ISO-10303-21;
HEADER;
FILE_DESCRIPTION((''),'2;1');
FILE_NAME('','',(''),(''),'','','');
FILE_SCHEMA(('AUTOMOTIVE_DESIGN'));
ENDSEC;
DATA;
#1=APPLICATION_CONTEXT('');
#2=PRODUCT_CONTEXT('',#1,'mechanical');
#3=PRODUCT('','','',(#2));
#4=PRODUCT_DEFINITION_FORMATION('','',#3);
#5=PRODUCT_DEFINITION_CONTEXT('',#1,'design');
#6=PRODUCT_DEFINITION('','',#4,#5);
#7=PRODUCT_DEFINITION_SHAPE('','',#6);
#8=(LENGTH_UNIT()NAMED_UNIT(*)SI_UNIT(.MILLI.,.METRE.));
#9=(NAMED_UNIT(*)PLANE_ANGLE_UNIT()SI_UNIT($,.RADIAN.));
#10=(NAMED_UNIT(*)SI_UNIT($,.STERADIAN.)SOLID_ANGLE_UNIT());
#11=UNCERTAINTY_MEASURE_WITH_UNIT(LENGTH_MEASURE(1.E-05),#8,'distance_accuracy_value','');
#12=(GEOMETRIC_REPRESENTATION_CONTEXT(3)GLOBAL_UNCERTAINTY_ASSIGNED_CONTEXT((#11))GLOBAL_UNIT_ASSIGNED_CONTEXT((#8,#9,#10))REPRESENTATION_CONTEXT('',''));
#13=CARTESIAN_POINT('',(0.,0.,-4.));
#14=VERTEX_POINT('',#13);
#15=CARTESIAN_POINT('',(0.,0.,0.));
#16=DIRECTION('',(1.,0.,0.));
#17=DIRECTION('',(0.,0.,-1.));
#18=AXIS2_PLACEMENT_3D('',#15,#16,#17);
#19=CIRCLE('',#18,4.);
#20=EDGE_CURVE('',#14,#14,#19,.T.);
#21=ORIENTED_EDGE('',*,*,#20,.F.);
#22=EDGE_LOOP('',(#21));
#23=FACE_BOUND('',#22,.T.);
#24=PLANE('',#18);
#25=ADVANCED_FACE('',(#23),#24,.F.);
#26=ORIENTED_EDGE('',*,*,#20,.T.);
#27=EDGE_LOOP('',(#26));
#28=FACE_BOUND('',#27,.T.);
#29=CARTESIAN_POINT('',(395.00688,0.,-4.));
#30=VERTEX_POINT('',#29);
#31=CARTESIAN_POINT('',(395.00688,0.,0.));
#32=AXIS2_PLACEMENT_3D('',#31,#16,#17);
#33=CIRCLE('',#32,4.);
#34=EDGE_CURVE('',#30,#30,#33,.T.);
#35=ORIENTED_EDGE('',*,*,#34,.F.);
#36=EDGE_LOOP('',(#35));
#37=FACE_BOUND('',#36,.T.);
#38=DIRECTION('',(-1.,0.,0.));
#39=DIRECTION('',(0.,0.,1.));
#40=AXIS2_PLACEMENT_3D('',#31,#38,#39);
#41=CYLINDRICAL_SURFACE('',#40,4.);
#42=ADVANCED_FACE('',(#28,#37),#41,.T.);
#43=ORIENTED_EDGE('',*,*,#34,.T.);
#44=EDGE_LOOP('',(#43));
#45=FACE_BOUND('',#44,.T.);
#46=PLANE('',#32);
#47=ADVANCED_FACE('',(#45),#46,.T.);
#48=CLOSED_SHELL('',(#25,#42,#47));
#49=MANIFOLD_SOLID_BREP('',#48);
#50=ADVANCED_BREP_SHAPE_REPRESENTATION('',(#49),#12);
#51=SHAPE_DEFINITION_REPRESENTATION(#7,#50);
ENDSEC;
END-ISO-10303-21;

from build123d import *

# Parameters (mm, degrees)
CROQUIS1_R              = 4
SALIENTE_EXTRUIR1_DEPTH = 395.00687984


with BuildPart() as part:
    # Croquis1 → Saliente-Extruir1 (new body)
    with BuildSketch(Plane(origin=(0, 0, 0), x_dir=(0, 0, -1), z_dir=(1, 0, 0))):
        Circle(CROQUIS1_R)
    extrude(amount=SALIENTE_EXTRUIR1_DEPTH)


solid = part.part
